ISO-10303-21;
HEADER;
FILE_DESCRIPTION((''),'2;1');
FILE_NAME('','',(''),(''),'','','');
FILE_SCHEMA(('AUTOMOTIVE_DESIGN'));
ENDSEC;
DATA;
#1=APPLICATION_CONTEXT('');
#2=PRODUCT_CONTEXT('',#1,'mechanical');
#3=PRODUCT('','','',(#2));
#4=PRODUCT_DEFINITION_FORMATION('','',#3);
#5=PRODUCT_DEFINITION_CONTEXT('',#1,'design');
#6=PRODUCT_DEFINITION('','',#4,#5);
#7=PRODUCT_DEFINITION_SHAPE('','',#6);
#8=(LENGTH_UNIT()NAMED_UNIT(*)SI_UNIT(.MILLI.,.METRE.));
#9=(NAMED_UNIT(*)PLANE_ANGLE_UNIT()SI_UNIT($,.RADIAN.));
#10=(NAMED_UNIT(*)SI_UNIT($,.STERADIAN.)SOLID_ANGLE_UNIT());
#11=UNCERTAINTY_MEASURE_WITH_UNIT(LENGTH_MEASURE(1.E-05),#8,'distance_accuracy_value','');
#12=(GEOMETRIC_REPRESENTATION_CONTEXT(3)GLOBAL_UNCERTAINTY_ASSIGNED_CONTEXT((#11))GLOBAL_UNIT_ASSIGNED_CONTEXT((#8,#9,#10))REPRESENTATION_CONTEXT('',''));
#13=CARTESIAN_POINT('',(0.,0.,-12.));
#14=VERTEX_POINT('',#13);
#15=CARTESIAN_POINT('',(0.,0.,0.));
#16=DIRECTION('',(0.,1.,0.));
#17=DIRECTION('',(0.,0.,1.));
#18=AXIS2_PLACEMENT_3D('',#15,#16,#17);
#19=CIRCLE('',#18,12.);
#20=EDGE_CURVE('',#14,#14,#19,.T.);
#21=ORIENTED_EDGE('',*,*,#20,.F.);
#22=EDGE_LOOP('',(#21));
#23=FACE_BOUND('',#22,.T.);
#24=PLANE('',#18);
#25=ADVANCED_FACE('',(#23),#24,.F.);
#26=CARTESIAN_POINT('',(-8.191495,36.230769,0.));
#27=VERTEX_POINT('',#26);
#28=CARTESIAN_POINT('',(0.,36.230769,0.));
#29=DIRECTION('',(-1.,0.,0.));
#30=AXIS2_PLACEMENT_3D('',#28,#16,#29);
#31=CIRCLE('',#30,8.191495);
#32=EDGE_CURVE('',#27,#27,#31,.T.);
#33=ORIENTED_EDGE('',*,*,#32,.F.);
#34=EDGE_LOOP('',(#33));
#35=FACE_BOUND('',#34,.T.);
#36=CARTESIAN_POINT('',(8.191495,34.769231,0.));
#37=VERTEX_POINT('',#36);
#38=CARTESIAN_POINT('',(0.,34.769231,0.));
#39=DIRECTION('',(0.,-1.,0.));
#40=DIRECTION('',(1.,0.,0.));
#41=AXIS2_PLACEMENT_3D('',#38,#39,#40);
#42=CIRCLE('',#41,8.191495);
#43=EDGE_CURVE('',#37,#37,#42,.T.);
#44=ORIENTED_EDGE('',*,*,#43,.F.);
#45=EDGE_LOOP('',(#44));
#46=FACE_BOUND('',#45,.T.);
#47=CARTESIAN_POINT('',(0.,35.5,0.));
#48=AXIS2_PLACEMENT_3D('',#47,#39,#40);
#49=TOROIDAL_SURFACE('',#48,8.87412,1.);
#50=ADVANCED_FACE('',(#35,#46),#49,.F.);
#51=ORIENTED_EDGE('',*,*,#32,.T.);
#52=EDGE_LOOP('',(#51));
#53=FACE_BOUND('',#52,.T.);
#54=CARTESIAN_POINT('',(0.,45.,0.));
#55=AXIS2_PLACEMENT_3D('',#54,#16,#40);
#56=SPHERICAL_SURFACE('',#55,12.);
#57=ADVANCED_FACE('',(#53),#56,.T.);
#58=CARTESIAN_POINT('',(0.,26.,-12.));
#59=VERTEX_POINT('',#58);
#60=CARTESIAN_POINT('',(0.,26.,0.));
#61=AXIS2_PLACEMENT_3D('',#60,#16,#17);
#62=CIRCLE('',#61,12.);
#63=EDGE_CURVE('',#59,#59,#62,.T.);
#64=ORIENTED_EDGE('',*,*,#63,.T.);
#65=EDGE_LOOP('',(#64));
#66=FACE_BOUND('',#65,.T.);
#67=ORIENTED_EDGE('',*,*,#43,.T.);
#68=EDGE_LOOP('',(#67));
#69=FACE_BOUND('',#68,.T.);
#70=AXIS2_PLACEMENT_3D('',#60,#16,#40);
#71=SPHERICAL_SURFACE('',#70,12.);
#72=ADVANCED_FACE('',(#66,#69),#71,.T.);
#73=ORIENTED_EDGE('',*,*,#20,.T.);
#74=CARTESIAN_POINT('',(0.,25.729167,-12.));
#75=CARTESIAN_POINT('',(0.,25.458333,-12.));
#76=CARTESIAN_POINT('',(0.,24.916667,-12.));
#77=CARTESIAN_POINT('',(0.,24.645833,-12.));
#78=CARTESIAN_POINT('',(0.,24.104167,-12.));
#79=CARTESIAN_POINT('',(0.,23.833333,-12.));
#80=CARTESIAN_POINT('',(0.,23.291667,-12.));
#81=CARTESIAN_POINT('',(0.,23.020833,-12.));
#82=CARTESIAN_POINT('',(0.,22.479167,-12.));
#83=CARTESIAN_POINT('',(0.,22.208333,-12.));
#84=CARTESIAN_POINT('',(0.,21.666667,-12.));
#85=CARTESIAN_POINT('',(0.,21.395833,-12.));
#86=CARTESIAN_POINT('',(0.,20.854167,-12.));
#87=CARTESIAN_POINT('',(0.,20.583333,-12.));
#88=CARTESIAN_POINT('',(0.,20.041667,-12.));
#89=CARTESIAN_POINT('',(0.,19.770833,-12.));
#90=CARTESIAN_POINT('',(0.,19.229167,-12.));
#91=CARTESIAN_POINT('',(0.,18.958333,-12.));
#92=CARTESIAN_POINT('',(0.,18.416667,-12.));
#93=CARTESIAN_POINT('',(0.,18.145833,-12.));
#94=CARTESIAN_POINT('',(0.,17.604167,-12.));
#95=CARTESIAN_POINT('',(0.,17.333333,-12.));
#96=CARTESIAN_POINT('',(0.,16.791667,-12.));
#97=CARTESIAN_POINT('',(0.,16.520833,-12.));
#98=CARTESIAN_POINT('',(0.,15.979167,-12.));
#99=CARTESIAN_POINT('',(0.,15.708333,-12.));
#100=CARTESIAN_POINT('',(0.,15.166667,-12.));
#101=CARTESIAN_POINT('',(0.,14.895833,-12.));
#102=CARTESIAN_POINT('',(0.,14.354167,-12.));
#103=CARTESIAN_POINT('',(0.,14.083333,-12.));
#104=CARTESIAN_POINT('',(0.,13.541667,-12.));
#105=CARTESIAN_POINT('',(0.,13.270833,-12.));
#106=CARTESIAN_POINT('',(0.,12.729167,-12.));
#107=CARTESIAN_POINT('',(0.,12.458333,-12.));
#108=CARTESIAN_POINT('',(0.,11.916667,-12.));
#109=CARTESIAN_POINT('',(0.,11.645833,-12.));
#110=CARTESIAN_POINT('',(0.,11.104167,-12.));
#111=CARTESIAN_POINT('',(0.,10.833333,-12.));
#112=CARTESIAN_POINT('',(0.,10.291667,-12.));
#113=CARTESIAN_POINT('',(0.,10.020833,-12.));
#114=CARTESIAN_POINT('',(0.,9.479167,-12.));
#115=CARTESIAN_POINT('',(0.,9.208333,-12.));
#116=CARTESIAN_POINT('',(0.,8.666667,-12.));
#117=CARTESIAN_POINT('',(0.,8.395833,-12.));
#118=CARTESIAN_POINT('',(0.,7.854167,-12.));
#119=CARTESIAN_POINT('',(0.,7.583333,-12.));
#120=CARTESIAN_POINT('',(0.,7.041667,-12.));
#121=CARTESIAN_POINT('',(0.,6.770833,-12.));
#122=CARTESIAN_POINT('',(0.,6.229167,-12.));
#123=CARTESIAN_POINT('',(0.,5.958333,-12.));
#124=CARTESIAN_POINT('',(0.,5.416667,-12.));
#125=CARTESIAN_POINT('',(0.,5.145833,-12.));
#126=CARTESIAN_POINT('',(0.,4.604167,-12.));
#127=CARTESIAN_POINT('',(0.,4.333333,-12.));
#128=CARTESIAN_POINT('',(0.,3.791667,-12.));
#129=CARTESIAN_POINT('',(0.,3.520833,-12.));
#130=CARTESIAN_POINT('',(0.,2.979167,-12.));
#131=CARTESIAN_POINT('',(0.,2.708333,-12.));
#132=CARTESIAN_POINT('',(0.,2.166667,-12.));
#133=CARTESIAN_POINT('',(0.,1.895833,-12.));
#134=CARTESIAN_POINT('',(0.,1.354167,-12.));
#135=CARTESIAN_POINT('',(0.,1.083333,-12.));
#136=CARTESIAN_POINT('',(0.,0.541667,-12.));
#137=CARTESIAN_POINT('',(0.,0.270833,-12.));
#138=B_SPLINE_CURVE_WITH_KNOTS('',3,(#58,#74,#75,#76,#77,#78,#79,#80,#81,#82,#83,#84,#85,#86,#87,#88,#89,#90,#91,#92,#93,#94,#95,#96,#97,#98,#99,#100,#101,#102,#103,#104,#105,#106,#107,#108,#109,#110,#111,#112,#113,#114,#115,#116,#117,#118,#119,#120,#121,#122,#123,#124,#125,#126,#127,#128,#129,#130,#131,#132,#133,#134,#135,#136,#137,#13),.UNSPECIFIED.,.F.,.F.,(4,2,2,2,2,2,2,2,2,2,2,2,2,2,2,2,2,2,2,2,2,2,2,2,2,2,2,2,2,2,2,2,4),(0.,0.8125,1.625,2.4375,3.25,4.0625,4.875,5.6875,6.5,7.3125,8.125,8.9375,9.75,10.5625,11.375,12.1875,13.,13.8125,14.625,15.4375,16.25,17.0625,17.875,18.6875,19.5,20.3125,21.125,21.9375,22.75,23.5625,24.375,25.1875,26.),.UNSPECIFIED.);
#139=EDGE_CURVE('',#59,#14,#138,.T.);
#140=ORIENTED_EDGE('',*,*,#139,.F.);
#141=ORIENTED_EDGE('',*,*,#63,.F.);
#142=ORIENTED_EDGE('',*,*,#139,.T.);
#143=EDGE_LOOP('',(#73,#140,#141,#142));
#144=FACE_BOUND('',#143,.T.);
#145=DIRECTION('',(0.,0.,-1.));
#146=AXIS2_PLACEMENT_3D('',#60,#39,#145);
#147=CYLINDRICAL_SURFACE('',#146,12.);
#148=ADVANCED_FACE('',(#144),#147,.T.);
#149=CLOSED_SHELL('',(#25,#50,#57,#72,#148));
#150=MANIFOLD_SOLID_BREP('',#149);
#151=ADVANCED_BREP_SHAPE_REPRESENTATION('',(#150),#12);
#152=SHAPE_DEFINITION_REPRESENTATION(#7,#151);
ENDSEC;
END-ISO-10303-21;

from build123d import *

# Parameters (mm, degrees)
SKETCH1_R           = 12
BOSS_EXTRUDE1_DEPTH = 26
FILLET1_R           = 1


with BuildPart() as part:
    # Sketch1 → Boss-Extrude1 (new body)
    with BuildSketch(Plane(origin=(0, 0, 0), x_dir=(1, 0, 0), z_dir=(0, 1, 0))):
        with Locations(Location((0, 0, 0), (0, 0, 90))):
            Circle(SKETCH1_R)
    extrude(amount=BOSS_EXTRUDE1_DEPTH)

    # Sketch2 → Revolve1 (revolve)
    with BuildSketch(Plane.XY, mode=Mode.PRIVATE) as revolve1_sk:
        with BuildLine():
            Line((0, 55.943780463), (0, 26))
            Line((0, 26), (12, 26))
            ThreePointArc((12, 26), (10.76980199, 31.292576415), (7.331439149, 35.5))
            ThreePointArc((7.331439149, 35.5), (11.357816692, 48.872983346), (0, 57))
            Line((0, 57), (0, 55.943780463))
        make_face()
    revolve(revolve1_sk.sketch.rotate(Axis((0, 55.943780463, 0), (0, -1, 0)), 270), axis=Axis((0, 55.943780463, 0), (0, -1, 0)))

    # Fillet1
    fillet1_edges = [part.edges().sort_by_distance(p)[0] for p in [
        (0, 35.5, 7.331439149),
    ]]
    fillet(fillet1_edges, radius=FILLET1_R)


solid = part.part
